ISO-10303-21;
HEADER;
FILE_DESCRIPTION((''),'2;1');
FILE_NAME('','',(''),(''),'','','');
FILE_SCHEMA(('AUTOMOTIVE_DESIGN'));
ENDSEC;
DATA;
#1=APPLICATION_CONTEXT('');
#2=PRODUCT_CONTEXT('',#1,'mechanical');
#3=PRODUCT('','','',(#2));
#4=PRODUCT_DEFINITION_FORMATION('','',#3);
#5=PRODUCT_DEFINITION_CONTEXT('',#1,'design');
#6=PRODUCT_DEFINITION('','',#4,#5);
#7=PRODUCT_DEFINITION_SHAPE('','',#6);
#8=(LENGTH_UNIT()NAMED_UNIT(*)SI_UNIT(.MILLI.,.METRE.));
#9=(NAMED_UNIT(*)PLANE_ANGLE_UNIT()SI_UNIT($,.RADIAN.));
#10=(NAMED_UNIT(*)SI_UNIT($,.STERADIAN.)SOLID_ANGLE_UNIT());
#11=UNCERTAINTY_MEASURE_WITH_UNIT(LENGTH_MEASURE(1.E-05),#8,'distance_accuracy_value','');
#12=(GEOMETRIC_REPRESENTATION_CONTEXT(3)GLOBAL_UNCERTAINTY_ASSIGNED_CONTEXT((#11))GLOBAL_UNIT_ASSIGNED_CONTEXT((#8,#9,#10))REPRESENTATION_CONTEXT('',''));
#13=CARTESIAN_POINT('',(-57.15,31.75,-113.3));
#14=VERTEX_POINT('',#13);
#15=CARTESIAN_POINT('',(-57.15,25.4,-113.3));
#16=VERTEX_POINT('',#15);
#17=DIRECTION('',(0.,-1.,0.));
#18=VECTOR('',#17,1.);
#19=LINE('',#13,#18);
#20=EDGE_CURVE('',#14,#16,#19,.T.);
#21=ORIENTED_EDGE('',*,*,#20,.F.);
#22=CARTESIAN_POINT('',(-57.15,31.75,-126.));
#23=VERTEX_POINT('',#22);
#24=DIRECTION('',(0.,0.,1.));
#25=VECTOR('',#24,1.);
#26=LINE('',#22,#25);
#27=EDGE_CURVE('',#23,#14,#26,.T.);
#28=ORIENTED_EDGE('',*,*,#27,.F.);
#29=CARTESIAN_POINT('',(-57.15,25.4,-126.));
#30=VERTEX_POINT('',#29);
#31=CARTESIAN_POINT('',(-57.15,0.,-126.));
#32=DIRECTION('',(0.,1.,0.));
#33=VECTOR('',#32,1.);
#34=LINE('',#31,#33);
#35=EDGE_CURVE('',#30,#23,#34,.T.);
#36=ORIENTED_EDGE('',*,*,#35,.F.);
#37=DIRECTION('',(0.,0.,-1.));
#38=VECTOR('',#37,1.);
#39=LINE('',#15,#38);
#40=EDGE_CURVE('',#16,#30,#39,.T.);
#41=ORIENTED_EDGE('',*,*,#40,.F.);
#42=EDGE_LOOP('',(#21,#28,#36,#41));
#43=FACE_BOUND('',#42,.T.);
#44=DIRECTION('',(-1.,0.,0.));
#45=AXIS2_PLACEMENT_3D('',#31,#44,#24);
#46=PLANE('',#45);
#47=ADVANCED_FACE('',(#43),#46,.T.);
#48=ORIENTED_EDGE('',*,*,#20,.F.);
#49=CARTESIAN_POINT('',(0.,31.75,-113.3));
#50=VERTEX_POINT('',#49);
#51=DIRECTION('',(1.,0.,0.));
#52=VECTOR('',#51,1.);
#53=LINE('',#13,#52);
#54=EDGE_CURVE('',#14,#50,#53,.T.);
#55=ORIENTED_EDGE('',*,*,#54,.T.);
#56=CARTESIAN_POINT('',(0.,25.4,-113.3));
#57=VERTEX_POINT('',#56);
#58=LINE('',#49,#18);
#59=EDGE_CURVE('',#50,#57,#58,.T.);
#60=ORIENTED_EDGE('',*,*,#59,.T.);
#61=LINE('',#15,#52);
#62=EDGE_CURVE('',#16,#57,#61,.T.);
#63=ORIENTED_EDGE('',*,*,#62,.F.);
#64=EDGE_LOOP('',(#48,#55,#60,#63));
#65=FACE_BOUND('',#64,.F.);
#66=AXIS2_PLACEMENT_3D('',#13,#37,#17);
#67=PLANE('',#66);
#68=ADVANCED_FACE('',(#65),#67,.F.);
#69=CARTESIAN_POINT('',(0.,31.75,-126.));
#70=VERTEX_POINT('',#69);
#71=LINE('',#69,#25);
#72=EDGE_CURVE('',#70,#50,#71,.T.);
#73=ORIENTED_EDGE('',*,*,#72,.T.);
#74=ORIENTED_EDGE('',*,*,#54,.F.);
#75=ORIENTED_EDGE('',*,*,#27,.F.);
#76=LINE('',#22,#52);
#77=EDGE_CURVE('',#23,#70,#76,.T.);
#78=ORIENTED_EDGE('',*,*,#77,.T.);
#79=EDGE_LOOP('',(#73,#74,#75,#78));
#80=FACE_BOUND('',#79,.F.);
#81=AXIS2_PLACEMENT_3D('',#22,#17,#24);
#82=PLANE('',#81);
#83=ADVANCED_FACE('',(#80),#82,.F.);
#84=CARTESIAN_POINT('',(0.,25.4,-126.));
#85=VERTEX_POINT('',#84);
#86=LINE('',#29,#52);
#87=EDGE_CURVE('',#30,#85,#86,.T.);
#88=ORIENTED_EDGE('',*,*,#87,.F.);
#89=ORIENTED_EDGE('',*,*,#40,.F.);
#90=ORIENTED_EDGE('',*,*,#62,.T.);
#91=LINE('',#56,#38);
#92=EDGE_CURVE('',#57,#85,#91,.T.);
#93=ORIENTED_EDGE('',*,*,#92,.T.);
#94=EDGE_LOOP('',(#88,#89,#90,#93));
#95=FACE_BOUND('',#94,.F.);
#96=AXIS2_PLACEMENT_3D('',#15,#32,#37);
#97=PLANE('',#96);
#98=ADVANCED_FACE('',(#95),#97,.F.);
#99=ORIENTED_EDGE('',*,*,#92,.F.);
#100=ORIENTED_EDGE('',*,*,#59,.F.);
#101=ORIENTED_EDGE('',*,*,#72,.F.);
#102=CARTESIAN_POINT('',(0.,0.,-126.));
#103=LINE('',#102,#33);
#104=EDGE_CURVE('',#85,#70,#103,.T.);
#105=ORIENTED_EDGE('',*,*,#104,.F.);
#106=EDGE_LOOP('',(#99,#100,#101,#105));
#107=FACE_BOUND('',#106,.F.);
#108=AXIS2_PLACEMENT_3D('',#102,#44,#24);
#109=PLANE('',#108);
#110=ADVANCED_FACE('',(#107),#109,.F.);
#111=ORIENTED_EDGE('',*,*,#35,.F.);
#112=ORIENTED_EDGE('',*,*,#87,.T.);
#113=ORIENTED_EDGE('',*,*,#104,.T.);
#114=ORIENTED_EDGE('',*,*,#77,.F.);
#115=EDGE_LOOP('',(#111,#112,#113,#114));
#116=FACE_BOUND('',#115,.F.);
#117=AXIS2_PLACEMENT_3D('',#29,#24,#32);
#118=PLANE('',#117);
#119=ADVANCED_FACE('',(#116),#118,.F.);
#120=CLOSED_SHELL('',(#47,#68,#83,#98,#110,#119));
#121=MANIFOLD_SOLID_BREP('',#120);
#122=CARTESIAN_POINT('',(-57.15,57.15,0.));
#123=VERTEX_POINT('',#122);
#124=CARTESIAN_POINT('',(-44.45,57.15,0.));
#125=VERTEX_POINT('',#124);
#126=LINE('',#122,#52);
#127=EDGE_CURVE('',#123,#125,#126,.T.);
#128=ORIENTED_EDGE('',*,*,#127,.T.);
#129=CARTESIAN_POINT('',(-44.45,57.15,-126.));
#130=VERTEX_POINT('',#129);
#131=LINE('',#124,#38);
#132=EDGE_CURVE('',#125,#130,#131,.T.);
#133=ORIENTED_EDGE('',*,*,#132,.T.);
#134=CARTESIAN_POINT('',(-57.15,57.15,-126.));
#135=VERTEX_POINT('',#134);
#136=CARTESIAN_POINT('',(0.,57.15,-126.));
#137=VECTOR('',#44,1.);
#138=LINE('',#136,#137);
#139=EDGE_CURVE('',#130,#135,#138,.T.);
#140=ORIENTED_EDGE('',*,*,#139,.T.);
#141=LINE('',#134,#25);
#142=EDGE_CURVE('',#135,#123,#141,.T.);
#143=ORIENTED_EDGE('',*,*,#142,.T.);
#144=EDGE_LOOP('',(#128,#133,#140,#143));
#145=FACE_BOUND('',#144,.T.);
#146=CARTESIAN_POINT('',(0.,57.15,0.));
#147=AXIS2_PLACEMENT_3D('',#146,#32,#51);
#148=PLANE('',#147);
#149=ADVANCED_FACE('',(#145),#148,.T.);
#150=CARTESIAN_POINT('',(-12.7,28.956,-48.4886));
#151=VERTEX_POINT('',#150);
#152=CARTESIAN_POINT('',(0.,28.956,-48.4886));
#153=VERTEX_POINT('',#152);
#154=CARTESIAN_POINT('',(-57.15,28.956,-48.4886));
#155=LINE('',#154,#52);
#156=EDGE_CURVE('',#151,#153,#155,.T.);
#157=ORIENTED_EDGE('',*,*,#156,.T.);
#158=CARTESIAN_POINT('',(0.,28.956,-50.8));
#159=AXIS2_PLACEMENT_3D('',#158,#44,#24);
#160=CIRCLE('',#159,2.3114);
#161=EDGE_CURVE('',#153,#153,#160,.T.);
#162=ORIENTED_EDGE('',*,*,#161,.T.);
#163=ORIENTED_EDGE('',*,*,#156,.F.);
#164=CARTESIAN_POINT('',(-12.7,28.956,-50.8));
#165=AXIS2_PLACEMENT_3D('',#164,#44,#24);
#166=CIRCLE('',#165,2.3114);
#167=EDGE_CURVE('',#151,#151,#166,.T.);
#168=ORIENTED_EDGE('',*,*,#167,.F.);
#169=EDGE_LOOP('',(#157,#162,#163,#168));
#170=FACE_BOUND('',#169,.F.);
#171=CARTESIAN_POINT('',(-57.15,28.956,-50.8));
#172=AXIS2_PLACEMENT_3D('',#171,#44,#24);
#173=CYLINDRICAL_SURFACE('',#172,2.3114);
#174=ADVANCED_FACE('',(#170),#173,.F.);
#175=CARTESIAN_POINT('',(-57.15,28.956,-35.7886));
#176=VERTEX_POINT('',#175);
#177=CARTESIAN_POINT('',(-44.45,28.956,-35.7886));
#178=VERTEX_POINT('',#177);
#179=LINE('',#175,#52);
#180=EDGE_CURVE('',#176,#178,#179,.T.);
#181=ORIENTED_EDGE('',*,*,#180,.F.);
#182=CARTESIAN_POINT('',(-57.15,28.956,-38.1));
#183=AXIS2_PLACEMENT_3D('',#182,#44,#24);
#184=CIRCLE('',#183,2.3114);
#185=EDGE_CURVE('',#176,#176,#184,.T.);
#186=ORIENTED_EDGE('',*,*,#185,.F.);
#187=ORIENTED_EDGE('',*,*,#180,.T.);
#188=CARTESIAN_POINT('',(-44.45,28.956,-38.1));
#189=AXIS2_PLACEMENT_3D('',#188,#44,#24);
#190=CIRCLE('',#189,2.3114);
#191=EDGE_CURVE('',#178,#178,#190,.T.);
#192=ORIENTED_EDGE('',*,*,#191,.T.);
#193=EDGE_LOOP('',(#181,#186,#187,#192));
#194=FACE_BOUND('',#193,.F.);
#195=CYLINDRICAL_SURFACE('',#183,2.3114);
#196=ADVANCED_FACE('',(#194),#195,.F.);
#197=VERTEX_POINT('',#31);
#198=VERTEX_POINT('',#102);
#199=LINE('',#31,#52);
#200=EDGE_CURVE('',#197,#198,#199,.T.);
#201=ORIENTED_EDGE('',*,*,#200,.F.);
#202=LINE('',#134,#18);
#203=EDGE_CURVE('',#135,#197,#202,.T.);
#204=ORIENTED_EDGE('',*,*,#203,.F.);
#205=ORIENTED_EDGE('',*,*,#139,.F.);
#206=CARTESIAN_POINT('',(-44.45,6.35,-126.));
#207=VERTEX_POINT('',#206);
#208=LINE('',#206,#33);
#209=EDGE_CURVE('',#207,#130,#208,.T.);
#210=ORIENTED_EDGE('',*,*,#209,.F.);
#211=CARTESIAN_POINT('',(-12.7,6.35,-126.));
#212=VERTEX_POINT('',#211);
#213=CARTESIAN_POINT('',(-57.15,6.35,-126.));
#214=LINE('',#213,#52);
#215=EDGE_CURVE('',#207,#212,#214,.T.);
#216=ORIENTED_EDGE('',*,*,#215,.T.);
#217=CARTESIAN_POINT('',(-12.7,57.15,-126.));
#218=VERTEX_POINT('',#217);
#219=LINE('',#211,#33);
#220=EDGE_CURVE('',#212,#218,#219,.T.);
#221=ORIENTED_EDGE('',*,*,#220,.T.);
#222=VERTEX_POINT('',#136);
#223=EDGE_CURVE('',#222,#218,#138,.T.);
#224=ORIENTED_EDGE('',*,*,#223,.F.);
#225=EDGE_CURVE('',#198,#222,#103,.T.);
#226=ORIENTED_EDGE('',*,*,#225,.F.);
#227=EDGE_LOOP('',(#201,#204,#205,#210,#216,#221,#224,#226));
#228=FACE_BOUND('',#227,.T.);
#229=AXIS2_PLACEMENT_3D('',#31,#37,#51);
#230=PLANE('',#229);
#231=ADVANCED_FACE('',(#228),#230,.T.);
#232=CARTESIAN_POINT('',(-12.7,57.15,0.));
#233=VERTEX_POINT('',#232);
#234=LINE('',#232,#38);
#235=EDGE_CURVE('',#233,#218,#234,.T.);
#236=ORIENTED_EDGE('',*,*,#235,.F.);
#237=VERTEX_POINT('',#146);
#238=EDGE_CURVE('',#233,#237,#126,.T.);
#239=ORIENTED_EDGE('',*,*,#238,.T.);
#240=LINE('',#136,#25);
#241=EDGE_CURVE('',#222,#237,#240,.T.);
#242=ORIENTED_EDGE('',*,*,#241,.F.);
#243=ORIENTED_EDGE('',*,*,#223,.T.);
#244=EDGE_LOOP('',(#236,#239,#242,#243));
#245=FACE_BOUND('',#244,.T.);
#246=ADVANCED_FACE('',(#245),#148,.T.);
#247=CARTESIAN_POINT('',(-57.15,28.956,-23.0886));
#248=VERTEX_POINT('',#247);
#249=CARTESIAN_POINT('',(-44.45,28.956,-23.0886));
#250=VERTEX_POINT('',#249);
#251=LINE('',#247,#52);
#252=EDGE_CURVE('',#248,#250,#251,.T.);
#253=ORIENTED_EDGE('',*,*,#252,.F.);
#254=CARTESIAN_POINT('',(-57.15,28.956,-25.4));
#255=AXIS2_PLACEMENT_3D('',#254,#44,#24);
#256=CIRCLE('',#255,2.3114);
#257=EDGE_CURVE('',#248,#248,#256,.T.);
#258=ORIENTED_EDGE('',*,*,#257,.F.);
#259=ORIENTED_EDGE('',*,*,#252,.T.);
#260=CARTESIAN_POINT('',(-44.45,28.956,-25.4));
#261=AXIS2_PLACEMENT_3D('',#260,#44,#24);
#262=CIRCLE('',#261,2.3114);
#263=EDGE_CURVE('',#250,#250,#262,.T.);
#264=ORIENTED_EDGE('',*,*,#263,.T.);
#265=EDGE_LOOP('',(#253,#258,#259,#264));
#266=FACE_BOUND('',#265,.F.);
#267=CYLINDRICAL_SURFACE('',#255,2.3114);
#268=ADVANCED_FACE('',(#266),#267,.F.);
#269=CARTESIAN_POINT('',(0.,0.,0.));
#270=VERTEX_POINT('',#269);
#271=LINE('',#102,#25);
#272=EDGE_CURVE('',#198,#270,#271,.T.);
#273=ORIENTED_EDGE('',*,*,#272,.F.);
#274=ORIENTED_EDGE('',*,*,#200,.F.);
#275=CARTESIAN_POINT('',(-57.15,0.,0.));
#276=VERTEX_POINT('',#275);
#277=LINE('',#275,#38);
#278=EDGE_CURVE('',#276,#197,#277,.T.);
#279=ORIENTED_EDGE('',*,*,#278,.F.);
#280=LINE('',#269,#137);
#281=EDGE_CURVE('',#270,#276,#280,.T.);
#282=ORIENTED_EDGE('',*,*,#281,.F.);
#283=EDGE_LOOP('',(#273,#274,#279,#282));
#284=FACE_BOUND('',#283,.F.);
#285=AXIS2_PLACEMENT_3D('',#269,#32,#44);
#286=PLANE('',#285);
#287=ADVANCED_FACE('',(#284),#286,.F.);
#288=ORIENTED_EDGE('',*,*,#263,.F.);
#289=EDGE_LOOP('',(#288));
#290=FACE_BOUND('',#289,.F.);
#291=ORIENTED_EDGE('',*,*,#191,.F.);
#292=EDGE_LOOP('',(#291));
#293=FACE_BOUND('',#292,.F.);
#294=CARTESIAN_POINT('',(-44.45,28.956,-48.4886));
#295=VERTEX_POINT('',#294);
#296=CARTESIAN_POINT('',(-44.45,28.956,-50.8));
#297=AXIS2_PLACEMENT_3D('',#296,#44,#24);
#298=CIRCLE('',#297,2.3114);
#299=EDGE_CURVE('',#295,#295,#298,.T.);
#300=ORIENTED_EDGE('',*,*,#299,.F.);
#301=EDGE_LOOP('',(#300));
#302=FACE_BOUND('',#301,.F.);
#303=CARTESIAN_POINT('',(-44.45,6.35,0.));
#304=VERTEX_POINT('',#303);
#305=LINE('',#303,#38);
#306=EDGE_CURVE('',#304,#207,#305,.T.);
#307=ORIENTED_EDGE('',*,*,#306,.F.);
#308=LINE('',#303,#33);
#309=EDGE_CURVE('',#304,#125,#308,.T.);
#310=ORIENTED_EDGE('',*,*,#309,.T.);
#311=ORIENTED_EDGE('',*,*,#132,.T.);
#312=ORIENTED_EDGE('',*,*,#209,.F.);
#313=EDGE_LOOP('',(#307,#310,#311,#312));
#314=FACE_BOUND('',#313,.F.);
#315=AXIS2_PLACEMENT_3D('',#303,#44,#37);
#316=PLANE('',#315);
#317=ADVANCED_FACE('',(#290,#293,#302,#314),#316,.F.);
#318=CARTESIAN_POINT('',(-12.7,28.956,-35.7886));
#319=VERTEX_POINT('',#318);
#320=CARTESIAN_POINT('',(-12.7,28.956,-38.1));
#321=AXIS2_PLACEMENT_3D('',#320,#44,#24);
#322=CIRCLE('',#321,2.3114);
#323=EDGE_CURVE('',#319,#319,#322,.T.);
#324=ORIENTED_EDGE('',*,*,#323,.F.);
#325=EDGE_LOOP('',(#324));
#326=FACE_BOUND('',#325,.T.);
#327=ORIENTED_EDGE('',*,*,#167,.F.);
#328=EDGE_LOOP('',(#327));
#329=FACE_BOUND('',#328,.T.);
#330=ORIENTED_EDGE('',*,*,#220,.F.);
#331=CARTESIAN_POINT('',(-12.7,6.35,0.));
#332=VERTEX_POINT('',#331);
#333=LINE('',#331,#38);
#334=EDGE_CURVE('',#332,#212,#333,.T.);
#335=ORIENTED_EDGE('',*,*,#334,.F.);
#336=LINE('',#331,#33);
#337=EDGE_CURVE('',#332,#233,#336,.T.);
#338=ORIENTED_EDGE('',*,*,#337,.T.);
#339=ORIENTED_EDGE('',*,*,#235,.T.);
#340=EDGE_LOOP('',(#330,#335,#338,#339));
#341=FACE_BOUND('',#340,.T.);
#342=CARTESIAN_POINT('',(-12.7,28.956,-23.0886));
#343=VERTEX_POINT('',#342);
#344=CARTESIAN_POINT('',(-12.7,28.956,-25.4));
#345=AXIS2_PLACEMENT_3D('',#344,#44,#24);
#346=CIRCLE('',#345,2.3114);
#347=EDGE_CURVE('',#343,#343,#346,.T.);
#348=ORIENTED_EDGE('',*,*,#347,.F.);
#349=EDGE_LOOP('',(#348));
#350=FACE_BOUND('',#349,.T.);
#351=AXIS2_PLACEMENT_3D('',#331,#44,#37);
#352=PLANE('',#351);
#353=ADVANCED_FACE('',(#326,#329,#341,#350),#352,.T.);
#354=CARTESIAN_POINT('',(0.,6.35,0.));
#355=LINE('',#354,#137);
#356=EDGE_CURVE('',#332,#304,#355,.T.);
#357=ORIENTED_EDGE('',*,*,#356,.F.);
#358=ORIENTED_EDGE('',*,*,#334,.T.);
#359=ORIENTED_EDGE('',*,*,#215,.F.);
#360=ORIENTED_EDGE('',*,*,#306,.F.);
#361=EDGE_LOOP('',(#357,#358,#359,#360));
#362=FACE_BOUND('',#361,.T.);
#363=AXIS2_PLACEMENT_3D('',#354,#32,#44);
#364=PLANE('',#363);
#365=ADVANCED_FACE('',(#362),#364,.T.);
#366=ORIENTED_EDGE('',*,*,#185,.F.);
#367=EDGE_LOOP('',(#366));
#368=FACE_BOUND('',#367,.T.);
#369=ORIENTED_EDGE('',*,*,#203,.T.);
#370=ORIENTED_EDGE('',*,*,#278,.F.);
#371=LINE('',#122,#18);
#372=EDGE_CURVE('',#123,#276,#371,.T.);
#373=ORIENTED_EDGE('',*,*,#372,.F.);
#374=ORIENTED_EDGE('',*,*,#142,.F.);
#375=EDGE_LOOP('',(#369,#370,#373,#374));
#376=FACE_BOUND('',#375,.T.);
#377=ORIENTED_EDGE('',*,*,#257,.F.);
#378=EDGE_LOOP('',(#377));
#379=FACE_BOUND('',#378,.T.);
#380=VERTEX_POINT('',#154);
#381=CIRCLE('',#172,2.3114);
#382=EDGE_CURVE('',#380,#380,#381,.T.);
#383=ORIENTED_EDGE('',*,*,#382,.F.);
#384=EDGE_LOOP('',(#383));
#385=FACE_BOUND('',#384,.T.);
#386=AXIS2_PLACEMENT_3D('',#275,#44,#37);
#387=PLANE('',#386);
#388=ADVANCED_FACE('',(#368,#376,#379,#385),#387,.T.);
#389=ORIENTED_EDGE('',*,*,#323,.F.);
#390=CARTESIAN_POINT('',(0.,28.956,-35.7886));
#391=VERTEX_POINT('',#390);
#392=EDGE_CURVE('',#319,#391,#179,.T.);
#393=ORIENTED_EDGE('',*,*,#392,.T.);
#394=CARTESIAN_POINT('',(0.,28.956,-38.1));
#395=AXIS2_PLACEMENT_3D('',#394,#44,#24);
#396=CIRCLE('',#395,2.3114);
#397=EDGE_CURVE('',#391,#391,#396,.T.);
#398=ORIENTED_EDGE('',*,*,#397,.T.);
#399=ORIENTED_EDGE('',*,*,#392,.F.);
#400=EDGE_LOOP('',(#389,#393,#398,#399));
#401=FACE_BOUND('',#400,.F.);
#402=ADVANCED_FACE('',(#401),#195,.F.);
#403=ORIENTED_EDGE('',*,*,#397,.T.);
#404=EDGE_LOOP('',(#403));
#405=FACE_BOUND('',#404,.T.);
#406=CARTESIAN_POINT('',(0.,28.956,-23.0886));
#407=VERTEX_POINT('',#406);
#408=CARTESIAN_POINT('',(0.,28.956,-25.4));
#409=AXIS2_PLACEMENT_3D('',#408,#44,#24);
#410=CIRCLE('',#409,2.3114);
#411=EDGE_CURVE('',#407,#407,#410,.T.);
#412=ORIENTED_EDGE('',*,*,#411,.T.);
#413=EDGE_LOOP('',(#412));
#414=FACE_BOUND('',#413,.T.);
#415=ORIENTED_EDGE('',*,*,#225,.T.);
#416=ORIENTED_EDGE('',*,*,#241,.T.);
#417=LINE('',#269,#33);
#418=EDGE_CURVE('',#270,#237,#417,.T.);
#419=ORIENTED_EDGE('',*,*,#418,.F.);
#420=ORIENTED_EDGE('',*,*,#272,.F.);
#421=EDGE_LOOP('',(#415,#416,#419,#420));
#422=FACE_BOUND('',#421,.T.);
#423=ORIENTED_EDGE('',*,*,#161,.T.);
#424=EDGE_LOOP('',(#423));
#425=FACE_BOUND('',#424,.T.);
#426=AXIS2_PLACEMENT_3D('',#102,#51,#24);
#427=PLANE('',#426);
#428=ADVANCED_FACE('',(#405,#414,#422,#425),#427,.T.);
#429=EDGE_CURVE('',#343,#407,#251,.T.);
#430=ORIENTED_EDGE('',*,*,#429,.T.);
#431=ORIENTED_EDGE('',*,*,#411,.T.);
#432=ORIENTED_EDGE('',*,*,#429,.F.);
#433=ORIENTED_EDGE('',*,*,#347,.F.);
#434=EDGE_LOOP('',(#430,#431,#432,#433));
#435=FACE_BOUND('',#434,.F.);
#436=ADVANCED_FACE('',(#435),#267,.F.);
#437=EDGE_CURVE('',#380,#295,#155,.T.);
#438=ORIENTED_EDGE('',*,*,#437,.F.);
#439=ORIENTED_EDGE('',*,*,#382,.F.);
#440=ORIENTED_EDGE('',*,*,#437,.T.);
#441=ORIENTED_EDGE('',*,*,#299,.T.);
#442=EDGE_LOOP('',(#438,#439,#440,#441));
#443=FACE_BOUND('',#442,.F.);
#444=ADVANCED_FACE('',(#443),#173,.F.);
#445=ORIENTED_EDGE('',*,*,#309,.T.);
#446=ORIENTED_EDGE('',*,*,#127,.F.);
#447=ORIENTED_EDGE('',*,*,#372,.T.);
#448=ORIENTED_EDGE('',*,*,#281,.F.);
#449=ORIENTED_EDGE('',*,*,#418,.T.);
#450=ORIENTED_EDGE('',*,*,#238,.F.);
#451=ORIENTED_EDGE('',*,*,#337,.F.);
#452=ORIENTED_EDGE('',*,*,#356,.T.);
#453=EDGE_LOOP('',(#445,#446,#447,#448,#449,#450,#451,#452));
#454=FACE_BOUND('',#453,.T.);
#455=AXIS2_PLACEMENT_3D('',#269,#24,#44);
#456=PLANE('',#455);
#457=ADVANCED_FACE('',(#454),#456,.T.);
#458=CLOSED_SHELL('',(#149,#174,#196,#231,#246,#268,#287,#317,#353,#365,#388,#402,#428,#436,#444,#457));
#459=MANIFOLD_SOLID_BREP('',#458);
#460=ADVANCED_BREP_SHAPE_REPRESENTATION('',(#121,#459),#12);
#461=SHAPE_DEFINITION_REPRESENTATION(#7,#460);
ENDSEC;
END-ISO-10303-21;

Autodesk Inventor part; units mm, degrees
ref_plane "YZ Plane" through (0, 0, 0) normal (1, 0, 0) x (0, 1, 0)
ref_plane "XZ Plane" through (0, 0, 0) normal (0, 1, 0) x (-1, 0, 0)
ref_plane "XY Plane" through (0, 0, 0) normal (0, 0, 1) x (1, 0, 0)
sketch "Sketch1" plane through (0, 0, 0) normal (0, 1, 0) x (-1, 0, 0)
  line L0 (0, 0) -> (57.15, 0)
  line L1 (57.15, 0) -> (57.15, -126)
  line L2 (57.15, -126) -> (0, -126)
  line L3 (0, -126) -> (0, 0)
  dimension "d0" = 57.15
  dimension "d1" = 126
extrude "Extrusion1" add sketch "Sketch1" along normal blind 6.35
sketch "Sketch2" plane through (0, 6.35, 0) normal (0, 1, 0) x (1, 0, 0)
  line L0 (-57.15, 0) -> (0, 0) projected
  line L1 (0, 126) -> (-57.15, 126) projected
  line L2 (-57.15, 0) -> (-44.45, 0)
  line L3 (-44.45, 0) -> (-44.45, 126)
  line L4 (-44.45, 126) -> (-57.15, 126)
  line L5 (-57.15, 126) -> (-57.15, 0)
  line L6 (0, 0) -> (-12.7, 0)
  line L7 (-12.7, 0) -> (-12.7, 126)
  line L8 (-12.7, 126) -> (0, 126)
  line L9 (0, 126) -> (0, 0)
  dimension "d4" = 12.7
  dimension "d5" = 12.7
extrude "Extrusion2" add sketch "Sketch2" along normal blind 50.8 contours L5 L1 L3 L0 | L7 L1 L9 L0
sketch "Sketch3" plane through (-57.15, 0, -126) normal (-1, 0, 0) x (0, 0, 1)
  line L0 (0, 6.35) -> (126, 6.35) construction
  line L1 (0, 0) -> (126, 0) construction
  line L2 (126, 0) -> (126, 6.35) construction
  line L3 (126, 6.35) -> (0, 6.35) construction
  line L4 (0, 6.35) -> (0, 0) construction
  line L5 (-0.0082, 18.796) -> (126.0082, 18.796) construction
  circle A0 centre (100.6, 28.956) radius 10.16 construction
  circle A1 centre (87.9, 28.956) radius 2.3114
  circle A2 centre (75.2, 28.956) radius 2.3114
  circle A3 centre (100.6, 28.956) radius 2.3114
  line L6 (126, 0) -> (126, 57.15) projected
  dimension "d8" = 12.446
  dimension "d9" = 20.32
  dimension "d10" = 4.6228
  dimension "d11" = 12.7
  dimension "d12" = 12.7
  dimension "d14" = 25.4
extrude "Extrusion3" cut sketch "Sketch3" against normal through all
sketch "Sketch4" plane through (-57.15, 0, -126) normal (-1, 0, 0) x (0, 0, 1)
  line L0 (0, 0) -> (126, 0) projected
  line L1 (0, 6.35) -> (126, 6.35) projected
  line L2 (0, 0) -> (126, 0)
  line L3 (126, 0) -> (126, 6.35)
  line L4 (126, 6.35) -> (0, 6.35)
  line L5 (0, 6.35) -> (0, 0)
  line L6 (0, 0) -> (0, 57.15) projected
  line L7 (0, 18.796) -> (126, 18.796) construction
  line L8 (0, 31.75) -> (12.7, 31.75)
  line L9 (12.7, 31.75) -> (12.7, 25.4)
  line L10 (12.7, 25.4) -> (0, 25.4)
  line L11 (0, 25.4) -> (0, 31.75)
  point P0 (0, 25.4)
  dimension "d17" = 12.446
  dimension "d18" = 12.7
  dimension "d19" = 6.35
  dimension "d21" = 19.05
extrude "Extrusion4" add sketch "Sketch4" against normal through all separate body contours L6 L8 L9 L10
properties part number "case" material "ABS Plastic"
